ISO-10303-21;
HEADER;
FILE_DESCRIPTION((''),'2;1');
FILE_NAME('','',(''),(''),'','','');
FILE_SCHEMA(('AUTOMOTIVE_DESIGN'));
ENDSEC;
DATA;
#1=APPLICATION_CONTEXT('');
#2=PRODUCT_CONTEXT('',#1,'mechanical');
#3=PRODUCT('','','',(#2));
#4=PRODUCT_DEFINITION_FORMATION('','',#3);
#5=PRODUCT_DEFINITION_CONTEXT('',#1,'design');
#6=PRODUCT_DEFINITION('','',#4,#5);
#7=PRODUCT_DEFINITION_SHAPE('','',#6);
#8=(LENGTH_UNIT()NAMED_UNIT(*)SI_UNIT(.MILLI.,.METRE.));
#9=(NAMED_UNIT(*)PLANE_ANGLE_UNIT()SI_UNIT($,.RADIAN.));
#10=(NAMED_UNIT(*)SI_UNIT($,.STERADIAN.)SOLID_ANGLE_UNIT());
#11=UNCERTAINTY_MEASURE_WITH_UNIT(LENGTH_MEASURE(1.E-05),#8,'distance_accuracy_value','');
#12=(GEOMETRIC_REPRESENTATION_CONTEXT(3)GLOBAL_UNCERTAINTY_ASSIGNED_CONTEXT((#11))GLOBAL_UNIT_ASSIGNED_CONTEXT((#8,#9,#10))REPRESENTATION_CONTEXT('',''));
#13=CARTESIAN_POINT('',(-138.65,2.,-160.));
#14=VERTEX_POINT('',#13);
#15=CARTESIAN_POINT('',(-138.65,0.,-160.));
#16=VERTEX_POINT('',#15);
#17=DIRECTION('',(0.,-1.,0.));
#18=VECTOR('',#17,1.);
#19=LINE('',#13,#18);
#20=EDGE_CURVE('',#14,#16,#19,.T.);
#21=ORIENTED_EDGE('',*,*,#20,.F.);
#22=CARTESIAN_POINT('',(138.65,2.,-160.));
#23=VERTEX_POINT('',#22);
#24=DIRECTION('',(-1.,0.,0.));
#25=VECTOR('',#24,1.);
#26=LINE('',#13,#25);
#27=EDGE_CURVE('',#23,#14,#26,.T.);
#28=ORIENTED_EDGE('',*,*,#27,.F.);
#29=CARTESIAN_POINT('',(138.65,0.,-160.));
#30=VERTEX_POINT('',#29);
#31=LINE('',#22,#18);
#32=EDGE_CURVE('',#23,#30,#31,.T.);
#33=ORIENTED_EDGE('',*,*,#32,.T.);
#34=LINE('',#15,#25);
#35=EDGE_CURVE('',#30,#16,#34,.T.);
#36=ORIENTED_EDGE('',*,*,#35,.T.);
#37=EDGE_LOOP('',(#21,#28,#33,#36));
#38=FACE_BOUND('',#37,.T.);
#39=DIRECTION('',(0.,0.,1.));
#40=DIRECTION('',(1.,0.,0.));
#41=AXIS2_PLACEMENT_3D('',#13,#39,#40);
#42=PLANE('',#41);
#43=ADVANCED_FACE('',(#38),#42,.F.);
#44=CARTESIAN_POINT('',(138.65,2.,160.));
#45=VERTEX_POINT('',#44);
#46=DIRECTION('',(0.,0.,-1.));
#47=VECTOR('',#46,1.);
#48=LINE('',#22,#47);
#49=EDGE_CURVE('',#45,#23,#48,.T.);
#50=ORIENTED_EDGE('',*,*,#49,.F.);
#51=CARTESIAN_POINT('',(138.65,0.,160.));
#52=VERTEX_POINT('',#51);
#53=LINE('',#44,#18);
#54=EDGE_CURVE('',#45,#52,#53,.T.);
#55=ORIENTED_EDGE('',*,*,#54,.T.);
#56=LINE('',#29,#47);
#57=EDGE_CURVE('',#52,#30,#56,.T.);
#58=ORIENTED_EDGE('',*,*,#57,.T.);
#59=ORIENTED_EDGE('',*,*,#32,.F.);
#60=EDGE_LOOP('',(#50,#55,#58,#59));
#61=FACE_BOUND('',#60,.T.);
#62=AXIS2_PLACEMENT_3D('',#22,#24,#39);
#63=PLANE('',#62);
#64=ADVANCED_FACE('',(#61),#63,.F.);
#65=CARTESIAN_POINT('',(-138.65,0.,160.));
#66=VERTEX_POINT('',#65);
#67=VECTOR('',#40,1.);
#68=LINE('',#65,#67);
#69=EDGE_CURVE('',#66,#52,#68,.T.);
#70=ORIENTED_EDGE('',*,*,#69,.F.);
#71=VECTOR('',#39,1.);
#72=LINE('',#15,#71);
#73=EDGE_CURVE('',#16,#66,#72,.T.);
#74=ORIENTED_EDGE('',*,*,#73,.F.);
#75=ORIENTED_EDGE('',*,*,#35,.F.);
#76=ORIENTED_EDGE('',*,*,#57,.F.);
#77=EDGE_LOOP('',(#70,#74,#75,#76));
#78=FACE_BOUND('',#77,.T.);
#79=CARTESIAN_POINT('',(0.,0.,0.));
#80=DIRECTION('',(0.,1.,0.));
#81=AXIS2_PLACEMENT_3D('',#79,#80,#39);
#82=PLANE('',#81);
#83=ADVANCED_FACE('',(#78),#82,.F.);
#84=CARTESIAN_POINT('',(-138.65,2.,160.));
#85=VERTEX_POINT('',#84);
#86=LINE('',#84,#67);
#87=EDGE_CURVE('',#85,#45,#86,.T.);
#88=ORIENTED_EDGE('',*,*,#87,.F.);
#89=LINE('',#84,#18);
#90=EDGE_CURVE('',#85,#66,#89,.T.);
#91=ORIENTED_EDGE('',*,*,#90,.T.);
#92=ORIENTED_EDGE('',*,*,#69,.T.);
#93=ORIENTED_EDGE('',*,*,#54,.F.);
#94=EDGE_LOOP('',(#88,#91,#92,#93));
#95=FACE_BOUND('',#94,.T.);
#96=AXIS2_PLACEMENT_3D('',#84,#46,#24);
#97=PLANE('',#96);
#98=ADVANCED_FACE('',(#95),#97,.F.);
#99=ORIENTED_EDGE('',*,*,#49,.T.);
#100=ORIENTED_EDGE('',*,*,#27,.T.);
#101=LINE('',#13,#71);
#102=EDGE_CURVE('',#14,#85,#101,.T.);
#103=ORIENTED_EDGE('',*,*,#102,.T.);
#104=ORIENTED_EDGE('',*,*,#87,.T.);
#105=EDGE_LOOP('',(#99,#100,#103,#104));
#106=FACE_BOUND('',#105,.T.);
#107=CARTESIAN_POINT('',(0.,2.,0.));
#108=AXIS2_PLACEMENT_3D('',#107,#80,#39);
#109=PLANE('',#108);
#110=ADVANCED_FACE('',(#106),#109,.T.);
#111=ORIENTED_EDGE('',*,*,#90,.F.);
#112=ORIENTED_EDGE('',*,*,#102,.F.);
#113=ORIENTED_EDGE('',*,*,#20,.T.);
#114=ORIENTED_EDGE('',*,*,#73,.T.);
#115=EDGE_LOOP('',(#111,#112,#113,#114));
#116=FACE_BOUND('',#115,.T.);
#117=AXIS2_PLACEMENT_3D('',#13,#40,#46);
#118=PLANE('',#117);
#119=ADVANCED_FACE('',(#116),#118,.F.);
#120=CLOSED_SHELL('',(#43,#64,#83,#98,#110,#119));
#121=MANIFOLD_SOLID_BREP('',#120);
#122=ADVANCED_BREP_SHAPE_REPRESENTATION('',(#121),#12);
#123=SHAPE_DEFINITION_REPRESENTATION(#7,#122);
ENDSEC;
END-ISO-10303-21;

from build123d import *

# Parameters (mm, degrees)
SKETCH1_W  = 277.3
SKETCH1_H  = 320
BASE_DEPTH = 2


with BuildPart() as part:
    # Sketch1 → Base (new body)
    with BuildSketch(Plane(origin=(0, 0, 0), x_dir=(1, 0, 0), z_dir=(0, 1, 0))):
        Rectangle(SKETCH1_W, SKETCH1_H)
    extrude(amount=BASE_DEPTH)


solid = part.part
